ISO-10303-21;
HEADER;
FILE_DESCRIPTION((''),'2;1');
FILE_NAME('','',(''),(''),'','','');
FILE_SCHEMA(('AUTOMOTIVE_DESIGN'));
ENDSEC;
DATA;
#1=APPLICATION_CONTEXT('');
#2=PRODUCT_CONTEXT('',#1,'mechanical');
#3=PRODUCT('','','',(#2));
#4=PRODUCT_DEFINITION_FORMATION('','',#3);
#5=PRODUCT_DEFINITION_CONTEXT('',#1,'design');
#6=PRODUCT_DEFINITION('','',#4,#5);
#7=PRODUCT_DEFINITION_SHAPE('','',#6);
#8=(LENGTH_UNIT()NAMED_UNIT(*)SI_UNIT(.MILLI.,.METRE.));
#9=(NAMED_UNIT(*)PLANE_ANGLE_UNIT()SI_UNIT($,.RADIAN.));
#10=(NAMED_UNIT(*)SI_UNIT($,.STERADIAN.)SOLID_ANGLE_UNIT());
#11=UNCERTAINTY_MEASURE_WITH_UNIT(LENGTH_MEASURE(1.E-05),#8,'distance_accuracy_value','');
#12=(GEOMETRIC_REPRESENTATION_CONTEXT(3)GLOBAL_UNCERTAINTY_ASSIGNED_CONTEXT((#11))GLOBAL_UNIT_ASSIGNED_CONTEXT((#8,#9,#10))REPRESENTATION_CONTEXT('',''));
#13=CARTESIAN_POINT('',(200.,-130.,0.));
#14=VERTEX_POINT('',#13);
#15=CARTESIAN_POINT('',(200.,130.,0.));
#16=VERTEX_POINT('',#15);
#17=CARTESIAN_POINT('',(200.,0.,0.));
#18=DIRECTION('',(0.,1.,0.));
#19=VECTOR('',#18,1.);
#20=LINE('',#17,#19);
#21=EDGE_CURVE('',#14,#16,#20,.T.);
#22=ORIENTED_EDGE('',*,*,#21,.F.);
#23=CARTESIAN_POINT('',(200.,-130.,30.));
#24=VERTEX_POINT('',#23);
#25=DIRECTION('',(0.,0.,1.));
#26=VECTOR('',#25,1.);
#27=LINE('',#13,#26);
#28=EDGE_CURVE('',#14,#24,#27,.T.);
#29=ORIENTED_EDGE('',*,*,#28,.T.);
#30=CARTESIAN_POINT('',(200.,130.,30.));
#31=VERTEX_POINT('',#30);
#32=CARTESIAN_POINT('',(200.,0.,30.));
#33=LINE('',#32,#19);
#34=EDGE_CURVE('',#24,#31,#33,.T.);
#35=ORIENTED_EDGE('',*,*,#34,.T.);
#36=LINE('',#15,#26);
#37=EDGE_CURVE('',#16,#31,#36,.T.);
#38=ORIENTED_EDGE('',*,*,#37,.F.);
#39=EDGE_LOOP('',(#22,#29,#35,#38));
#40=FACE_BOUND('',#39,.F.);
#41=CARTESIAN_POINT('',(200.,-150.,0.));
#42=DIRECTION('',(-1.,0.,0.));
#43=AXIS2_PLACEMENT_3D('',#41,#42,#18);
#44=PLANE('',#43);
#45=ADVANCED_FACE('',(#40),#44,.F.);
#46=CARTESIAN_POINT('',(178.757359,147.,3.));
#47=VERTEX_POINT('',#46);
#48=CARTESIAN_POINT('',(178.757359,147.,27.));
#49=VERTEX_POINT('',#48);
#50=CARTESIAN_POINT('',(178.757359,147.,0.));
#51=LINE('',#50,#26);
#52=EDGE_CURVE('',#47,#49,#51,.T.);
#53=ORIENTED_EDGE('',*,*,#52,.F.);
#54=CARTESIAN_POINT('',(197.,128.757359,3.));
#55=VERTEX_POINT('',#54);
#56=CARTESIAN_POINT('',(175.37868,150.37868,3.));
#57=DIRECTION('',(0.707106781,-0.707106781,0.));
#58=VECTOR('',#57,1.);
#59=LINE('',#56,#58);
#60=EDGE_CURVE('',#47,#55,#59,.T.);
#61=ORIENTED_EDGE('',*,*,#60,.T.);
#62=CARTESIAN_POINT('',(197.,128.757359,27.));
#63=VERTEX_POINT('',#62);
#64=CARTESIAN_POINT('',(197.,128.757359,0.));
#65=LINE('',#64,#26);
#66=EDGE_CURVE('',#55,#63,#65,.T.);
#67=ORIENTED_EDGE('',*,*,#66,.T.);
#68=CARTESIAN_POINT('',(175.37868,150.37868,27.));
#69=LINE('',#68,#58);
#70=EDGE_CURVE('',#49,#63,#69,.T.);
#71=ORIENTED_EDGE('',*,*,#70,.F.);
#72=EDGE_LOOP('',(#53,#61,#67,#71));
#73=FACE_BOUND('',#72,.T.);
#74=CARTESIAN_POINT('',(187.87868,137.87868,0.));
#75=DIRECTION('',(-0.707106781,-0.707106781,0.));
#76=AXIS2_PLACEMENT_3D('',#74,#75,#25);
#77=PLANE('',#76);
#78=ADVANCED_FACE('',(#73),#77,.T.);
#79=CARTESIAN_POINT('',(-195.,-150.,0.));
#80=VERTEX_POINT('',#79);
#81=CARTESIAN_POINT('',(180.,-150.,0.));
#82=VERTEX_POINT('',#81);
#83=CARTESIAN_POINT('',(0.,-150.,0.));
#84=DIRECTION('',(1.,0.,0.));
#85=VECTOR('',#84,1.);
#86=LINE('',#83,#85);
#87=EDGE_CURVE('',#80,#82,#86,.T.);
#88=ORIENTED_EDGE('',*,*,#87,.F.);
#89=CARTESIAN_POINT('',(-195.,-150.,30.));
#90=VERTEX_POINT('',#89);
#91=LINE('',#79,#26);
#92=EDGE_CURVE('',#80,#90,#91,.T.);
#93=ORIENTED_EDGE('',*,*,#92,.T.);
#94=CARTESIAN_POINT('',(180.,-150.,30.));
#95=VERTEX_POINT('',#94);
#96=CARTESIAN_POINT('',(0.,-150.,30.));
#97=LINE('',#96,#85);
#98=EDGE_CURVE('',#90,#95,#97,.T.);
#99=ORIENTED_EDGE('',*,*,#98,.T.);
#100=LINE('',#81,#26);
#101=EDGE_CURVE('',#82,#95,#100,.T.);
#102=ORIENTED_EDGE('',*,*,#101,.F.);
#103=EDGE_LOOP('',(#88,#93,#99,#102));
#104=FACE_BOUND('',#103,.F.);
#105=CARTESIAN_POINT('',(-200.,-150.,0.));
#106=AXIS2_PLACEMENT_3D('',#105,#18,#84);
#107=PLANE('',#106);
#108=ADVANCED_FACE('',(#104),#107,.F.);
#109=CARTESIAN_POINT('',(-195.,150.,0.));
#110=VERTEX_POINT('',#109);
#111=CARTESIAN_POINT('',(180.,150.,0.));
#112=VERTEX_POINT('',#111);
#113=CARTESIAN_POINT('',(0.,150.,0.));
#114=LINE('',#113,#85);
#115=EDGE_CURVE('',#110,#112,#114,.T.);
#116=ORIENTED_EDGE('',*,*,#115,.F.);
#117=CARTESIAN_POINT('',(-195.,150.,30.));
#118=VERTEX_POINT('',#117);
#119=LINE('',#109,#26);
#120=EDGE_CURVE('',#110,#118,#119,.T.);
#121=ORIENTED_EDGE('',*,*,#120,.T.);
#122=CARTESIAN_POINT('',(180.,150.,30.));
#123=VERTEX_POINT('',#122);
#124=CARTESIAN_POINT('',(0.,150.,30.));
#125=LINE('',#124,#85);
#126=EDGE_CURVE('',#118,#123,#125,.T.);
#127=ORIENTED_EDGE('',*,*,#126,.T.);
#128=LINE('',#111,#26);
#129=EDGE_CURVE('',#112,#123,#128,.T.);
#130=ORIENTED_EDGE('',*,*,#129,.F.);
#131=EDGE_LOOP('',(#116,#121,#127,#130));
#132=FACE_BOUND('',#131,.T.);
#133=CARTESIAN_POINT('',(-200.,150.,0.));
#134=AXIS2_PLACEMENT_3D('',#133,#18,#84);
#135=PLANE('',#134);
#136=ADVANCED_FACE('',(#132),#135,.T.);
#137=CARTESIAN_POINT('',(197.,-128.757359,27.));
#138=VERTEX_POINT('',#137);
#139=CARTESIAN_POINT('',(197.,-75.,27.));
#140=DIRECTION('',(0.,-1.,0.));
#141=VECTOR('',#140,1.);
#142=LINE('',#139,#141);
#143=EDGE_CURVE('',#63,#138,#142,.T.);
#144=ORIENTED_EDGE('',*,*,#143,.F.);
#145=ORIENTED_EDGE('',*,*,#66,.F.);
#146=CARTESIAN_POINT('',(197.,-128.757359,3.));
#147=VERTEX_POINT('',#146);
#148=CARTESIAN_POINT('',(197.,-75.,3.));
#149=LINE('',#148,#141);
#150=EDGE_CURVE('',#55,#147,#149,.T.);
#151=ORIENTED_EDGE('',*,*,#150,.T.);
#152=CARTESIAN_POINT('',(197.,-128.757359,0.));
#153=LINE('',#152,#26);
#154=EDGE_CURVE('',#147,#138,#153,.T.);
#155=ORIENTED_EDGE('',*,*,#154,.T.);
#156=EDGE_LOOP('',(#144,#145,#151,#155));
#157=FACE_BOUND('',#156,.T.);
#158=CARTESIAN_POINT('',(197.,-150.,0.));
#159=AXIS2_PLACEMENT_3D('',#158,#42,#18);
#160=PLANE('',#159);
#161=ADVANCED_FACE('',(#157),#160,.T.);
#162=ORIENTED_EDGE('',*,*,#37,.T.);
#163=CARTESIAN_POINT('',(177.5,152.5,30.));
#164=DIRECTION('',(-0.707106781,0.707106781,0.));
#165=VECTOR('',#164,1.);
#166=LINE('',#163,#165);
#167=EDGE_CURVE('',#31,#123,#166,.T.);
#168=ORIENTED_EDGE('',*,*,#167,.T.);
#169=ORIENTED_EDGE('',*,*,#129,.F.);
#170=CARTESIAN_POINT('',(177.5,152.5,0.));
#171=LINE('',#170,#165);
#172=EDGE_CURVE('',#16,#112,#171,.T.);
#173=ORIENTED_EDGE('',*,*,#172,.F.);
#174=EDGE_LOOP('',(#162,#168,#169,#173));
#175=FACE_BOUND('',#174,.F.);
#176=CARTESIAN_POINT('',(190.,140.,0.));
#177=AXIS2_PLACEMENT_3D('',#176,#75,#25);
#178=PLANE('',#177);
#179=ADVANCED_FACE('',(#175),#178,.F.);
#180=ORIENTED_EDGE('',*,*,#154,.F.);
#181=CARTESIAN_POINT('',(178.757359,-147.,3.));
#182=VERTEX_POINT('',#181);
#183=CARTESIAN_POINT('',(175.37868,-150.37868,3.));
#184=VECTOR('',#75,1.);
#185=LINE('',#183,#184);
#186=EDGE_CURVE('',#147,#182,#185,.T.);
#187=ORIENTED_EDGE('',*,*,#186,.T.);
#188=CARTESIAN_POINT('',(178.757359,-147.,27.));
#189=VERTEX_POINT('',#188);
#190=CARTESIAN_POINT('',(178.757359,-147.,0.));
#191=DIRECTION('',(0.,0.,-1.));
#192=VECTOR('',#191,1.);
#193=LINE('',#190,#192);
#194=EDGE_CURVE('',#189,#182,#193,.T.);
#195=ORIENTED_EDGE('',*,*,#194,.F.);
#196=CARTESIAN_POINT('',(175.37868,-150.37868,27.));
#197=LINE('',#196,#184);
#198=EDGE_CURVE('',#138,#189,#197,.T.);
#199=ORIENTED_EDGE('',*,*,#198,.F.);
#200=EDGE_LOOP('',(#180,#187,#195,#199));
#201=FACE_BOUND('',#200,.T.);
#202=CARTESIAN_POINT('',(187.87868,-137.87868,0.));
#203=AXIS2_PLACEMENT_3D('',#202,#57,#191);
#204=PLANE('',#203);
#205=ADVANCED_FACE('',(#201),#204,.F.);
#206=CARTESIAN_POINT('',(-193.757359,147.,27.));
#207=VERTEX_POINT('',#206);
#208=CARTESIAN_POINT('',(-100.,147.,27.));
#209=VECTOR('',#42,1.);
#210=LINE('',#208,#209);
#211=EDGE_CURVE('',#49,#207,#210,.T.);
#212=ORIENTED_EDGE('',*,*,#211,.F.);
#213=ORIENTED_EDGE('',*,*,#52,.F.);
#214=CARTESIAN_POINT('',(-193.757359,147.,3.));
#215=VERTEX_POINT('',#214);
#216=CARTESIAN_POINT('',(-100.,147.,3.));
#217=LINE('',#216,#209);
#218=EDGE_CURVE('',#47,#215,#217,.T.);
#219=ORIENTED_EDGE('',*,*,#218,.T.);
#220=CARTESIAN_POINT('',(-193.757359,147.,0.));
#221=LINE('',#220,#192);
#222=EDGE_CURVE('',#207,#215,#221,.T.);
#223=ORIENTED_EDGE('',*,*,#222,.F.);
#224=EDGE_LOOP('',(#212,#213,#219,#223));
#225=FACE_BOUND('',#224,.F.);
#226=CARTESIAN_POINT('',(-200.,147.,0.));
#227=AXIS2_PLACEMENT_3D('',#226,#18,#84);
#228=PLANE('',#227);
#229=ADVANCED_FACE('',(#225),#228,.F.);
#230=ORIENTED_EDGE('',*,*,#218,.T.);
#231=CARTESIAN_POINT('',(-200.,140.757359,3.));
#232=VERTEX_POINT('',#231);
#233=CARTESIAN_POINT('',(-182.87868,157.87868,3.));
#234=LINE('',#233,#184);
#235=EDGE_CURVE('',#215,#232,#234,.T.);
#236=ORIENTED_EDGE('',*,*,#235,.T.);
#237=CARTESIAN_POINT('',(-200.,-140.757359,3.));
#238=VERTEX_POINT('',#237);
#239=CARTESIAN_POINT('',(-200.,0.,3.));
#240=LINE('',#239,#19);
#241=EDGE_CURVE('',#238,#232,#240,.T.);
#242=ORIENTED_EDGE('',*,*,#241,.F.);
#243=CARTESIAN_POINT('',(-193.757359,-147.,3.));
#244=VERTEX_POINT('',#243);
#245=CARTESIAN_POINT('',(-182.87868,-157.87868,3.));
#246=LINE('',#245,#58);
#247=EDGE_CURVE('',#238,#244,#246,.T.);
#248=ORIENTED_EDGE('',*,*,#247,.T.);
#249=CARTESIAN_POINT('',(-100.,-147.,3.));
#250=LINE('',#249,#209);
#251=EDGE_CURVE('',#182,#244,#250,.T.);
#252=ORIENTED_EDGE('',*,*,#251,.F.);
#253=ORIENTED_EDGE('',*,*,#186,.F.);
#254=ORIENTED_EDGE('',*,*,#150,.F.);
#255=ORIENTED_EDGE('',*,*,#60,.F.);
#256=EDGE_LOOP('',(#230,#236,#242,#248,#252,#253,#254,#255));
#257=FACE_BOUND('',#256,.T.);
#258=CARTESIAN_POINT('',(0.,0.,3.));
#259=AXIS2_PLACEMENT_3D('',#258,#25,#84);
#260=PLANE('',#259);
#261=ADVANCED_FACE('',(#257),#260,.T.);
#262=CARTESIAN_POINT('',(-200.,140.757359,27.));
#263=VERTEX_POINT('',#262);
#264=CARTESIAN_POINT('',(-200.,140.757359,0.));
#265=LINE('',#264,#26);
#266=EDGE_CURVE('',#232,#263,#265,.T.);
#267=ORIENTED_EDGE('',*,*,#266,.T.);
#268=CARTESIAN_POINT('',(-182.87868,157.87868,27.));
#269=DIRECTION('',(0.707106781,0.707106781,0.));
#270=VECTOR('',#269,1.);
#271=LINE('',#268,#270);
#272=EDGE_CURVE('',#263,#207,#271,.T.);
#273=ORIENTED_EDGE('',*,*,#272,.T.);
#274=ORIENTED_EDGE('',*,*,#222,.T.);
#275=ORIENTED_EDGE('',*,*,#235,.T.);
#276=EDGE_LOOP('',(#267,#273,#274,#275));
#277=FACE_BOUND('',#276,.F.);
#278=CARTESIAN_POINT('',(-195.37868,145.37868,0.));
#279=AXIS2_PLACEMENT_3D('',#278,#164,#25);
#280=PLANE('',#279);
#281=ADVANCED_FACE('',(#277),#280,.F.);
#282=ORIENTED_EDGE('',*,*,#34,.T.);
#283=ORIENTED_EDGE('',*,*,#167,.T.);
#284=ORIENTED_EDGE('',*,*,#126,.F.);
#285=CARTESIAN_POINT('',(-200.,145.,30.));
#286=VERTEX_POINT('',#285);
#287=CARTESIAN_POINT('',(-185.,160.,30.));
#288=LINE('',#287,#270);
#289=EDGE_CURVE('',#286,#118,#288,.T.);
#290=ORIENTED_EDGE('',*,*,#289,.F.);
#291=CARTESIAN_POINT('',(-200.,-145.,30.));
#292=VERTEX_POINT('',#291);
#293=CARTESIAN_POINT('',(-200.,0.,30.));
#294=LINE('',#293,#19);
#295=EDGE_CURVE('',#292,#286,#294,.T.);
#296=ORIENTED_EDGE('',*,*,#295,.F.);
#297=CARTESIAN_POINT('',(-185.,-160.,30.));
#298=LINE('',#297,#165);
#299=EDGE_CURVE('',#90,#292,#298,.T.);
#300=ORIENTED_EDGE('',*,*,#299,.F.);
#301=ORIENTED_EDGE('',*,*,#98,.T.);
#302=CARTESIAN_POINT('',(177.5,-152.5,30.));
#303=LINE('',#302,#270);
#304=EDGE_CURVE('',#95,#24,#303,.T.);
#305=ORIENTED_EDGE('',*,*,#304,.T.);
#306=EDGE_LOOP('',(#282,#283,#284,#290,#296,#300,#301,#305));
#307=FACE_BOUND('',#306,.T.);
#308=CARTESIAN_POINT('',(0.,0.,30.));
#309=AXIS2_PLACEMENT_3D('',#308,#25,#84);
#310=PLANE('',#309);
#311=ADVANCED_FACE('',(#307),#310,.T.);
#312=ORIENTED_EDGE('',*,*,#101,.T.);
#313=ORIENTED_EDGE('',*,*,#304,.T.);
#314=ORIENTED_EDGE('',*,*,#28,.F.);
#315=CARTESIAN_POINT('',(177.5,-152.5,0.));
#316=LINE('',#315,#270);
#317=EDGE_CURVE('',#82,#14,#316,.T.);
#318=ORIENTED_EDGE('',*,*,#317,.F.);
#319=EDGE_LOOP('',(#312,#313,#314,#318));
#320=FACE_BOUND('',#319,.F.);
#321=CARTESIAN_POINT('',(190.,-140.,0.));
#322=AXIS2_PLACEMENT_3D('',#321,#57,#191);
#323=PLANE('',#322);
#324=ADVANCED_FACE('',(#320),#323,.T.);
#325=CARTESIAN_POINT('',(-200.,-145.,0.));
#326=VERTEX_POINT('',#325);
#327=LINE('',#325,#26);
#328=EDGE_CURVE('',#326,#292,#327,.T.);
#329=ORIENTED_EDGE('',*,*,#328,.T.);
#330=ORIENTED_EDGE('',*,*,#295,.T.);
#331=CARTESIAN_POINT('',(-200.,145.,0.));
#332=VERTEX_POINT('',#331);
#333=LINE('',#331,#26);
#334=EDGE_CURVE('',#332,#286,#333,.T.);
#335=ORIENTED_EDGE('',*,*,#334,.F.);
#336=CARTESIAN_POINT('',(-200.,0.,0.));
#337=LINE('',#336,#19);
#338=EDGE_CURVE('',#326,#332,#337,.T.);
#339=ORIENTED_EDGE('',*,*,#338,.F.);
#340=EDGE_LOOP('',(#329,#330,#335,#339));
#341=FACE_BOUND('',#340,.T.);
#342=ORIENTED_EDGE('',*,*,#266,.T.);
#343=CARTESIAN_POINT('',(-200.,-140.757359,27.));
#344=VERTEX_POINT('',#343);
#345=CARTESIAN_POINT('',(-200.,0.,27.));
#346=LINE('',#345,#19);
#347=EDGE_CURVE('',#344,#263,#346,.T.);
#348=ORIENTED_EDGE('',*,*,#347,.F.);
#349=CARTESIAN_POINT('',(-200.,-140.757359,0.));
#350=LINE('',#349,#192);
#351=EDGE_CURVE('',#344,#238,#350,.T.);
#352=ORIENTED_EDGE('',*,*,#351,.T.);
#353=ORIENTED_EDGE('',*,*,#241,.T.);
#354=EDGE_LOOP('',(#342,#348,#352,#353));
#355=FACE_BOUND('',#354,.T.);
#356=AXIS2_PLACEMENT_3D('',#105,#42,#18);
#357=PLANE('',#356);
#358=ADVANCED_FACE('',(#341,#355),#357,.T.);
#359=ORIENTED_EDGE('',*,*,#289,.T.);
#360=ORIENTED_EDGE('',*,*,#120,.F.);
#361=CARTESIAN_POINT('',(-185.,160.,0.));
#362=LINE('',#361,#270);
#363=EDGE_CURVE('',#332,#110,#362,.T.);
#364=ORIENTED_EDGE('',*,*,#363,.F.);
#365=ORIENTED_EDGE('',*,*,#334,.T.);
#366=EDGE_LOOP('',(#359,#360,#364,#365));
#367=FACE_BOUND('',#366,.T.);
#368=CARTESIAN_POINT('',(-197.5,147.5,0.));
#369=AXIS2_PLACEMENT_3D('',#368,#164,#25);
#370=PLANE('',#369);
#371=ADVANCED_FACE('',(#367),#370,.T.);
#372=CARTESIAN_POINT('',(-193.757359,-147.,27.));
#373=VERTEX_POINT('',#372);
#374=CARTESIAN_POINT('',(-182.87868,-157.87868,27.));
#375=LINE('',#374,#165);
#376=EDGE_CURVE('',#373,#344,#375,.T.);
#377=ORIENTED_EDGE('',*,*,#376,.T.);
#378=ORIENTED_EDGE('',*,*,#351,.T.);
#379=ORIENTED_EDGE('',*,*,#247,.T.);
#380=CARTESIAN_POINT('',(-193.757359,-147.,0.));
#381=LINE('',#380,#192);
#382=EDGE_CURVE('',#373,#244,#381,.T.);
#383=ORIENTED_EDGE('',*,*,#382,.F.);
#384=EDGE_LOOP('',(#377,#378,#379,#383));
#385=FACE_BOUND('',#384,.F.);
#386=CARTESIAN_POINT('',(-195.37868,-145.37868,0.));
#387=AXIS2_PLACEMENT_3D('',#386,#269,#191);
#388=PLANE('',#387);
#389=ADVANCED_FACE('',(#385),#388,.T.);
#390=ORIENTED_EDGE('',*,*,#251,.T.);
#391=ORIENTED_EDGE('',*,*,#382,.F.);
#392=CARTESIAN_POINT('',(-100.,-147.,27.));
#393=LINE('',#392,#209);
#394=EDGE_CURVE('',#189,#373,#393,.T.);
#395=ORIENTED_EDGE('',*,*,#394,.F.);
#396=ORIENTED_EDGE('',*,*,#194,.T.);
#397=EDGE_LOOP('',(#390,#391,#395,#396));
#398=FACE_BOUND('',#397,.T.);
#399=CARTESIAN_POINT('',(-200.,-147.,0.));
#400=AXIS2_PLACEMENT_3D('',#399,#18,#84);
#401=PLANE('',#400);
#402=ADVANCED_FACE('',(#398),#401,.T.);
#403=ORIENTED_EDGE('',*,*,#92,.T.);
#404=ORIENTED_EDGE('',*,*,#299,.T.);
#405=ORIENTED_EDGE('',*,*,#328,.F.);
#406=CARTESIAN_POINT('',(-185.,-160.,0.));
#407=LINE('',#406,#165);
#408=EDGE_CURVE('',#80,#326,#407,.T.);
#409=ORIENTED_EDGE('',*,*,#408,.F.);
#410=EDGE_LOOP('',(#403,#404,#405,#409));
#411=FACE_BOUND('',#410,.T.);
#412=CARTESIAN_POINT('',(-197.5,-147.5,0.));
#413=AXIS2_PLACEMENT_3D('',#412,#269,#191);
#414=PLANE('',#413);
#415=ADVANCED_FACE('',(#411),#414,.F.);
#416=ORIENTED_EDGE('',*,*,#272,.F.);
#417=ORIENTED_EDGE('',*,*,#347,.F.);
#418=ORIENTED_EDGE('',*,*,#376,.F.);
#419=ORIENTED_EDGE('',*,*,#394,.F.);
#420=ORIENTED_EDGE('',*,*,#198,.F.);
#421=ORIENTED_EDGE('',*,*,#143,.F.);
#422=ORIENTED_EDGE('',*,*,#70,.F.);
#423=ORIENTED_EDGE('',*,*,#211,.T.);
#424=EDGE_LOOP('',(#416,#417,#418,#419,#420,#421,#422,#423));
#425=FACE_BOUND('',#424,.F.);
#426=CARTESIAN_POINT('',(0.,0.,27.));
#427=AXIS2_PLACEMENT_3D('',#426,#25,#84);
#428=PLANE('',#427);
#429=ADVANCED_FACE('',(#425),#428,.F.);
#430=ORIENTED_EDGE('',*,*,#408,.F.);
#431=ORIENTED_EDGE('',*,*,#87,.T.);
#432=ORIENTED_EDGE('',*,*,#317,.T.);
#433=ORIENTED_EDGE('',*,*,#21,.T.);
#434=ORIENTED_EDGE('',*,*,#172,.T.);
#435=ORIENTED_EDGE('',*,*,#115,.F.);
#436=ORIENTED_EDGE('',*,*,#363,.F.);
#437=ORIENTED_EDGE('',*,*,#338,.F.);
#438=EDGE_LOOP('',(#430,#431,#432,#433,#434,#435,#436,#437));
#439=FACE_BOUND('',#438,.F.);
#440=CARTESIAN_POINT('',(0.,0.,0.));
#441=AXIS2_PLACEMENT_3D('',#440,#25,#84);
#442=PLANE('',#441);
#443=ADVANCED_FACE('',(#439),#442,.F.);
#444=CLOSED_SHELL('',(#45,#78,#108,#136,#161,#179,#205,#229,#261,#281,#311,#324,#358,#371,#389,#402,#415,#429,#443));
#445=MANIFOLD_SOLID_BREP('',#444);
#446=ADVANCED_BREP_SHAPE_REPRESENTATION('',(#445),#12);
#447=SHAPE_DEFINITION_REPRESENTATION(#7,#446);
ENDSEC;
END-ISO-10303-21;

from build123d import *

# Parameters (mm, degrees)
F0_W     = 400
F0_H     = 300
F1_DEPTH = 30
F2_SIZE  = 20
F3_SIZE  = 5
F4_T     = -3


with BuildPart() as f1:
    # F0 (on Top) → F1 (new body)
    with BuildSketch(Plane.XY):
        Rectangle(F0_W, F0_H)
    extrude(amount=F1_DEPTH)

    # F2
    f2_edges = [f1.edges().sort_by_distance(p)[0] for p in [
        (200, -150, 15),
        (200, 150, 15),
    ]]
    chamfer(f2_edges, length=F2_SIZE)

    # F3
    f3_edges = [f1.edges().sort_by_distance(p)[0] for p in [
        (-200, -150, 15),
        (-200, 150, 15),
    ]]
    chamfer(f3_edges, length=F3_SIZE)

    # F4
    f4_openings = [f1.faces().sort_by_distance(p)[0] for p in [
        (-200, 0, 15),
    ]]
    offset(amount=F4_T, openings=f4_openings)


solid = f1.part
